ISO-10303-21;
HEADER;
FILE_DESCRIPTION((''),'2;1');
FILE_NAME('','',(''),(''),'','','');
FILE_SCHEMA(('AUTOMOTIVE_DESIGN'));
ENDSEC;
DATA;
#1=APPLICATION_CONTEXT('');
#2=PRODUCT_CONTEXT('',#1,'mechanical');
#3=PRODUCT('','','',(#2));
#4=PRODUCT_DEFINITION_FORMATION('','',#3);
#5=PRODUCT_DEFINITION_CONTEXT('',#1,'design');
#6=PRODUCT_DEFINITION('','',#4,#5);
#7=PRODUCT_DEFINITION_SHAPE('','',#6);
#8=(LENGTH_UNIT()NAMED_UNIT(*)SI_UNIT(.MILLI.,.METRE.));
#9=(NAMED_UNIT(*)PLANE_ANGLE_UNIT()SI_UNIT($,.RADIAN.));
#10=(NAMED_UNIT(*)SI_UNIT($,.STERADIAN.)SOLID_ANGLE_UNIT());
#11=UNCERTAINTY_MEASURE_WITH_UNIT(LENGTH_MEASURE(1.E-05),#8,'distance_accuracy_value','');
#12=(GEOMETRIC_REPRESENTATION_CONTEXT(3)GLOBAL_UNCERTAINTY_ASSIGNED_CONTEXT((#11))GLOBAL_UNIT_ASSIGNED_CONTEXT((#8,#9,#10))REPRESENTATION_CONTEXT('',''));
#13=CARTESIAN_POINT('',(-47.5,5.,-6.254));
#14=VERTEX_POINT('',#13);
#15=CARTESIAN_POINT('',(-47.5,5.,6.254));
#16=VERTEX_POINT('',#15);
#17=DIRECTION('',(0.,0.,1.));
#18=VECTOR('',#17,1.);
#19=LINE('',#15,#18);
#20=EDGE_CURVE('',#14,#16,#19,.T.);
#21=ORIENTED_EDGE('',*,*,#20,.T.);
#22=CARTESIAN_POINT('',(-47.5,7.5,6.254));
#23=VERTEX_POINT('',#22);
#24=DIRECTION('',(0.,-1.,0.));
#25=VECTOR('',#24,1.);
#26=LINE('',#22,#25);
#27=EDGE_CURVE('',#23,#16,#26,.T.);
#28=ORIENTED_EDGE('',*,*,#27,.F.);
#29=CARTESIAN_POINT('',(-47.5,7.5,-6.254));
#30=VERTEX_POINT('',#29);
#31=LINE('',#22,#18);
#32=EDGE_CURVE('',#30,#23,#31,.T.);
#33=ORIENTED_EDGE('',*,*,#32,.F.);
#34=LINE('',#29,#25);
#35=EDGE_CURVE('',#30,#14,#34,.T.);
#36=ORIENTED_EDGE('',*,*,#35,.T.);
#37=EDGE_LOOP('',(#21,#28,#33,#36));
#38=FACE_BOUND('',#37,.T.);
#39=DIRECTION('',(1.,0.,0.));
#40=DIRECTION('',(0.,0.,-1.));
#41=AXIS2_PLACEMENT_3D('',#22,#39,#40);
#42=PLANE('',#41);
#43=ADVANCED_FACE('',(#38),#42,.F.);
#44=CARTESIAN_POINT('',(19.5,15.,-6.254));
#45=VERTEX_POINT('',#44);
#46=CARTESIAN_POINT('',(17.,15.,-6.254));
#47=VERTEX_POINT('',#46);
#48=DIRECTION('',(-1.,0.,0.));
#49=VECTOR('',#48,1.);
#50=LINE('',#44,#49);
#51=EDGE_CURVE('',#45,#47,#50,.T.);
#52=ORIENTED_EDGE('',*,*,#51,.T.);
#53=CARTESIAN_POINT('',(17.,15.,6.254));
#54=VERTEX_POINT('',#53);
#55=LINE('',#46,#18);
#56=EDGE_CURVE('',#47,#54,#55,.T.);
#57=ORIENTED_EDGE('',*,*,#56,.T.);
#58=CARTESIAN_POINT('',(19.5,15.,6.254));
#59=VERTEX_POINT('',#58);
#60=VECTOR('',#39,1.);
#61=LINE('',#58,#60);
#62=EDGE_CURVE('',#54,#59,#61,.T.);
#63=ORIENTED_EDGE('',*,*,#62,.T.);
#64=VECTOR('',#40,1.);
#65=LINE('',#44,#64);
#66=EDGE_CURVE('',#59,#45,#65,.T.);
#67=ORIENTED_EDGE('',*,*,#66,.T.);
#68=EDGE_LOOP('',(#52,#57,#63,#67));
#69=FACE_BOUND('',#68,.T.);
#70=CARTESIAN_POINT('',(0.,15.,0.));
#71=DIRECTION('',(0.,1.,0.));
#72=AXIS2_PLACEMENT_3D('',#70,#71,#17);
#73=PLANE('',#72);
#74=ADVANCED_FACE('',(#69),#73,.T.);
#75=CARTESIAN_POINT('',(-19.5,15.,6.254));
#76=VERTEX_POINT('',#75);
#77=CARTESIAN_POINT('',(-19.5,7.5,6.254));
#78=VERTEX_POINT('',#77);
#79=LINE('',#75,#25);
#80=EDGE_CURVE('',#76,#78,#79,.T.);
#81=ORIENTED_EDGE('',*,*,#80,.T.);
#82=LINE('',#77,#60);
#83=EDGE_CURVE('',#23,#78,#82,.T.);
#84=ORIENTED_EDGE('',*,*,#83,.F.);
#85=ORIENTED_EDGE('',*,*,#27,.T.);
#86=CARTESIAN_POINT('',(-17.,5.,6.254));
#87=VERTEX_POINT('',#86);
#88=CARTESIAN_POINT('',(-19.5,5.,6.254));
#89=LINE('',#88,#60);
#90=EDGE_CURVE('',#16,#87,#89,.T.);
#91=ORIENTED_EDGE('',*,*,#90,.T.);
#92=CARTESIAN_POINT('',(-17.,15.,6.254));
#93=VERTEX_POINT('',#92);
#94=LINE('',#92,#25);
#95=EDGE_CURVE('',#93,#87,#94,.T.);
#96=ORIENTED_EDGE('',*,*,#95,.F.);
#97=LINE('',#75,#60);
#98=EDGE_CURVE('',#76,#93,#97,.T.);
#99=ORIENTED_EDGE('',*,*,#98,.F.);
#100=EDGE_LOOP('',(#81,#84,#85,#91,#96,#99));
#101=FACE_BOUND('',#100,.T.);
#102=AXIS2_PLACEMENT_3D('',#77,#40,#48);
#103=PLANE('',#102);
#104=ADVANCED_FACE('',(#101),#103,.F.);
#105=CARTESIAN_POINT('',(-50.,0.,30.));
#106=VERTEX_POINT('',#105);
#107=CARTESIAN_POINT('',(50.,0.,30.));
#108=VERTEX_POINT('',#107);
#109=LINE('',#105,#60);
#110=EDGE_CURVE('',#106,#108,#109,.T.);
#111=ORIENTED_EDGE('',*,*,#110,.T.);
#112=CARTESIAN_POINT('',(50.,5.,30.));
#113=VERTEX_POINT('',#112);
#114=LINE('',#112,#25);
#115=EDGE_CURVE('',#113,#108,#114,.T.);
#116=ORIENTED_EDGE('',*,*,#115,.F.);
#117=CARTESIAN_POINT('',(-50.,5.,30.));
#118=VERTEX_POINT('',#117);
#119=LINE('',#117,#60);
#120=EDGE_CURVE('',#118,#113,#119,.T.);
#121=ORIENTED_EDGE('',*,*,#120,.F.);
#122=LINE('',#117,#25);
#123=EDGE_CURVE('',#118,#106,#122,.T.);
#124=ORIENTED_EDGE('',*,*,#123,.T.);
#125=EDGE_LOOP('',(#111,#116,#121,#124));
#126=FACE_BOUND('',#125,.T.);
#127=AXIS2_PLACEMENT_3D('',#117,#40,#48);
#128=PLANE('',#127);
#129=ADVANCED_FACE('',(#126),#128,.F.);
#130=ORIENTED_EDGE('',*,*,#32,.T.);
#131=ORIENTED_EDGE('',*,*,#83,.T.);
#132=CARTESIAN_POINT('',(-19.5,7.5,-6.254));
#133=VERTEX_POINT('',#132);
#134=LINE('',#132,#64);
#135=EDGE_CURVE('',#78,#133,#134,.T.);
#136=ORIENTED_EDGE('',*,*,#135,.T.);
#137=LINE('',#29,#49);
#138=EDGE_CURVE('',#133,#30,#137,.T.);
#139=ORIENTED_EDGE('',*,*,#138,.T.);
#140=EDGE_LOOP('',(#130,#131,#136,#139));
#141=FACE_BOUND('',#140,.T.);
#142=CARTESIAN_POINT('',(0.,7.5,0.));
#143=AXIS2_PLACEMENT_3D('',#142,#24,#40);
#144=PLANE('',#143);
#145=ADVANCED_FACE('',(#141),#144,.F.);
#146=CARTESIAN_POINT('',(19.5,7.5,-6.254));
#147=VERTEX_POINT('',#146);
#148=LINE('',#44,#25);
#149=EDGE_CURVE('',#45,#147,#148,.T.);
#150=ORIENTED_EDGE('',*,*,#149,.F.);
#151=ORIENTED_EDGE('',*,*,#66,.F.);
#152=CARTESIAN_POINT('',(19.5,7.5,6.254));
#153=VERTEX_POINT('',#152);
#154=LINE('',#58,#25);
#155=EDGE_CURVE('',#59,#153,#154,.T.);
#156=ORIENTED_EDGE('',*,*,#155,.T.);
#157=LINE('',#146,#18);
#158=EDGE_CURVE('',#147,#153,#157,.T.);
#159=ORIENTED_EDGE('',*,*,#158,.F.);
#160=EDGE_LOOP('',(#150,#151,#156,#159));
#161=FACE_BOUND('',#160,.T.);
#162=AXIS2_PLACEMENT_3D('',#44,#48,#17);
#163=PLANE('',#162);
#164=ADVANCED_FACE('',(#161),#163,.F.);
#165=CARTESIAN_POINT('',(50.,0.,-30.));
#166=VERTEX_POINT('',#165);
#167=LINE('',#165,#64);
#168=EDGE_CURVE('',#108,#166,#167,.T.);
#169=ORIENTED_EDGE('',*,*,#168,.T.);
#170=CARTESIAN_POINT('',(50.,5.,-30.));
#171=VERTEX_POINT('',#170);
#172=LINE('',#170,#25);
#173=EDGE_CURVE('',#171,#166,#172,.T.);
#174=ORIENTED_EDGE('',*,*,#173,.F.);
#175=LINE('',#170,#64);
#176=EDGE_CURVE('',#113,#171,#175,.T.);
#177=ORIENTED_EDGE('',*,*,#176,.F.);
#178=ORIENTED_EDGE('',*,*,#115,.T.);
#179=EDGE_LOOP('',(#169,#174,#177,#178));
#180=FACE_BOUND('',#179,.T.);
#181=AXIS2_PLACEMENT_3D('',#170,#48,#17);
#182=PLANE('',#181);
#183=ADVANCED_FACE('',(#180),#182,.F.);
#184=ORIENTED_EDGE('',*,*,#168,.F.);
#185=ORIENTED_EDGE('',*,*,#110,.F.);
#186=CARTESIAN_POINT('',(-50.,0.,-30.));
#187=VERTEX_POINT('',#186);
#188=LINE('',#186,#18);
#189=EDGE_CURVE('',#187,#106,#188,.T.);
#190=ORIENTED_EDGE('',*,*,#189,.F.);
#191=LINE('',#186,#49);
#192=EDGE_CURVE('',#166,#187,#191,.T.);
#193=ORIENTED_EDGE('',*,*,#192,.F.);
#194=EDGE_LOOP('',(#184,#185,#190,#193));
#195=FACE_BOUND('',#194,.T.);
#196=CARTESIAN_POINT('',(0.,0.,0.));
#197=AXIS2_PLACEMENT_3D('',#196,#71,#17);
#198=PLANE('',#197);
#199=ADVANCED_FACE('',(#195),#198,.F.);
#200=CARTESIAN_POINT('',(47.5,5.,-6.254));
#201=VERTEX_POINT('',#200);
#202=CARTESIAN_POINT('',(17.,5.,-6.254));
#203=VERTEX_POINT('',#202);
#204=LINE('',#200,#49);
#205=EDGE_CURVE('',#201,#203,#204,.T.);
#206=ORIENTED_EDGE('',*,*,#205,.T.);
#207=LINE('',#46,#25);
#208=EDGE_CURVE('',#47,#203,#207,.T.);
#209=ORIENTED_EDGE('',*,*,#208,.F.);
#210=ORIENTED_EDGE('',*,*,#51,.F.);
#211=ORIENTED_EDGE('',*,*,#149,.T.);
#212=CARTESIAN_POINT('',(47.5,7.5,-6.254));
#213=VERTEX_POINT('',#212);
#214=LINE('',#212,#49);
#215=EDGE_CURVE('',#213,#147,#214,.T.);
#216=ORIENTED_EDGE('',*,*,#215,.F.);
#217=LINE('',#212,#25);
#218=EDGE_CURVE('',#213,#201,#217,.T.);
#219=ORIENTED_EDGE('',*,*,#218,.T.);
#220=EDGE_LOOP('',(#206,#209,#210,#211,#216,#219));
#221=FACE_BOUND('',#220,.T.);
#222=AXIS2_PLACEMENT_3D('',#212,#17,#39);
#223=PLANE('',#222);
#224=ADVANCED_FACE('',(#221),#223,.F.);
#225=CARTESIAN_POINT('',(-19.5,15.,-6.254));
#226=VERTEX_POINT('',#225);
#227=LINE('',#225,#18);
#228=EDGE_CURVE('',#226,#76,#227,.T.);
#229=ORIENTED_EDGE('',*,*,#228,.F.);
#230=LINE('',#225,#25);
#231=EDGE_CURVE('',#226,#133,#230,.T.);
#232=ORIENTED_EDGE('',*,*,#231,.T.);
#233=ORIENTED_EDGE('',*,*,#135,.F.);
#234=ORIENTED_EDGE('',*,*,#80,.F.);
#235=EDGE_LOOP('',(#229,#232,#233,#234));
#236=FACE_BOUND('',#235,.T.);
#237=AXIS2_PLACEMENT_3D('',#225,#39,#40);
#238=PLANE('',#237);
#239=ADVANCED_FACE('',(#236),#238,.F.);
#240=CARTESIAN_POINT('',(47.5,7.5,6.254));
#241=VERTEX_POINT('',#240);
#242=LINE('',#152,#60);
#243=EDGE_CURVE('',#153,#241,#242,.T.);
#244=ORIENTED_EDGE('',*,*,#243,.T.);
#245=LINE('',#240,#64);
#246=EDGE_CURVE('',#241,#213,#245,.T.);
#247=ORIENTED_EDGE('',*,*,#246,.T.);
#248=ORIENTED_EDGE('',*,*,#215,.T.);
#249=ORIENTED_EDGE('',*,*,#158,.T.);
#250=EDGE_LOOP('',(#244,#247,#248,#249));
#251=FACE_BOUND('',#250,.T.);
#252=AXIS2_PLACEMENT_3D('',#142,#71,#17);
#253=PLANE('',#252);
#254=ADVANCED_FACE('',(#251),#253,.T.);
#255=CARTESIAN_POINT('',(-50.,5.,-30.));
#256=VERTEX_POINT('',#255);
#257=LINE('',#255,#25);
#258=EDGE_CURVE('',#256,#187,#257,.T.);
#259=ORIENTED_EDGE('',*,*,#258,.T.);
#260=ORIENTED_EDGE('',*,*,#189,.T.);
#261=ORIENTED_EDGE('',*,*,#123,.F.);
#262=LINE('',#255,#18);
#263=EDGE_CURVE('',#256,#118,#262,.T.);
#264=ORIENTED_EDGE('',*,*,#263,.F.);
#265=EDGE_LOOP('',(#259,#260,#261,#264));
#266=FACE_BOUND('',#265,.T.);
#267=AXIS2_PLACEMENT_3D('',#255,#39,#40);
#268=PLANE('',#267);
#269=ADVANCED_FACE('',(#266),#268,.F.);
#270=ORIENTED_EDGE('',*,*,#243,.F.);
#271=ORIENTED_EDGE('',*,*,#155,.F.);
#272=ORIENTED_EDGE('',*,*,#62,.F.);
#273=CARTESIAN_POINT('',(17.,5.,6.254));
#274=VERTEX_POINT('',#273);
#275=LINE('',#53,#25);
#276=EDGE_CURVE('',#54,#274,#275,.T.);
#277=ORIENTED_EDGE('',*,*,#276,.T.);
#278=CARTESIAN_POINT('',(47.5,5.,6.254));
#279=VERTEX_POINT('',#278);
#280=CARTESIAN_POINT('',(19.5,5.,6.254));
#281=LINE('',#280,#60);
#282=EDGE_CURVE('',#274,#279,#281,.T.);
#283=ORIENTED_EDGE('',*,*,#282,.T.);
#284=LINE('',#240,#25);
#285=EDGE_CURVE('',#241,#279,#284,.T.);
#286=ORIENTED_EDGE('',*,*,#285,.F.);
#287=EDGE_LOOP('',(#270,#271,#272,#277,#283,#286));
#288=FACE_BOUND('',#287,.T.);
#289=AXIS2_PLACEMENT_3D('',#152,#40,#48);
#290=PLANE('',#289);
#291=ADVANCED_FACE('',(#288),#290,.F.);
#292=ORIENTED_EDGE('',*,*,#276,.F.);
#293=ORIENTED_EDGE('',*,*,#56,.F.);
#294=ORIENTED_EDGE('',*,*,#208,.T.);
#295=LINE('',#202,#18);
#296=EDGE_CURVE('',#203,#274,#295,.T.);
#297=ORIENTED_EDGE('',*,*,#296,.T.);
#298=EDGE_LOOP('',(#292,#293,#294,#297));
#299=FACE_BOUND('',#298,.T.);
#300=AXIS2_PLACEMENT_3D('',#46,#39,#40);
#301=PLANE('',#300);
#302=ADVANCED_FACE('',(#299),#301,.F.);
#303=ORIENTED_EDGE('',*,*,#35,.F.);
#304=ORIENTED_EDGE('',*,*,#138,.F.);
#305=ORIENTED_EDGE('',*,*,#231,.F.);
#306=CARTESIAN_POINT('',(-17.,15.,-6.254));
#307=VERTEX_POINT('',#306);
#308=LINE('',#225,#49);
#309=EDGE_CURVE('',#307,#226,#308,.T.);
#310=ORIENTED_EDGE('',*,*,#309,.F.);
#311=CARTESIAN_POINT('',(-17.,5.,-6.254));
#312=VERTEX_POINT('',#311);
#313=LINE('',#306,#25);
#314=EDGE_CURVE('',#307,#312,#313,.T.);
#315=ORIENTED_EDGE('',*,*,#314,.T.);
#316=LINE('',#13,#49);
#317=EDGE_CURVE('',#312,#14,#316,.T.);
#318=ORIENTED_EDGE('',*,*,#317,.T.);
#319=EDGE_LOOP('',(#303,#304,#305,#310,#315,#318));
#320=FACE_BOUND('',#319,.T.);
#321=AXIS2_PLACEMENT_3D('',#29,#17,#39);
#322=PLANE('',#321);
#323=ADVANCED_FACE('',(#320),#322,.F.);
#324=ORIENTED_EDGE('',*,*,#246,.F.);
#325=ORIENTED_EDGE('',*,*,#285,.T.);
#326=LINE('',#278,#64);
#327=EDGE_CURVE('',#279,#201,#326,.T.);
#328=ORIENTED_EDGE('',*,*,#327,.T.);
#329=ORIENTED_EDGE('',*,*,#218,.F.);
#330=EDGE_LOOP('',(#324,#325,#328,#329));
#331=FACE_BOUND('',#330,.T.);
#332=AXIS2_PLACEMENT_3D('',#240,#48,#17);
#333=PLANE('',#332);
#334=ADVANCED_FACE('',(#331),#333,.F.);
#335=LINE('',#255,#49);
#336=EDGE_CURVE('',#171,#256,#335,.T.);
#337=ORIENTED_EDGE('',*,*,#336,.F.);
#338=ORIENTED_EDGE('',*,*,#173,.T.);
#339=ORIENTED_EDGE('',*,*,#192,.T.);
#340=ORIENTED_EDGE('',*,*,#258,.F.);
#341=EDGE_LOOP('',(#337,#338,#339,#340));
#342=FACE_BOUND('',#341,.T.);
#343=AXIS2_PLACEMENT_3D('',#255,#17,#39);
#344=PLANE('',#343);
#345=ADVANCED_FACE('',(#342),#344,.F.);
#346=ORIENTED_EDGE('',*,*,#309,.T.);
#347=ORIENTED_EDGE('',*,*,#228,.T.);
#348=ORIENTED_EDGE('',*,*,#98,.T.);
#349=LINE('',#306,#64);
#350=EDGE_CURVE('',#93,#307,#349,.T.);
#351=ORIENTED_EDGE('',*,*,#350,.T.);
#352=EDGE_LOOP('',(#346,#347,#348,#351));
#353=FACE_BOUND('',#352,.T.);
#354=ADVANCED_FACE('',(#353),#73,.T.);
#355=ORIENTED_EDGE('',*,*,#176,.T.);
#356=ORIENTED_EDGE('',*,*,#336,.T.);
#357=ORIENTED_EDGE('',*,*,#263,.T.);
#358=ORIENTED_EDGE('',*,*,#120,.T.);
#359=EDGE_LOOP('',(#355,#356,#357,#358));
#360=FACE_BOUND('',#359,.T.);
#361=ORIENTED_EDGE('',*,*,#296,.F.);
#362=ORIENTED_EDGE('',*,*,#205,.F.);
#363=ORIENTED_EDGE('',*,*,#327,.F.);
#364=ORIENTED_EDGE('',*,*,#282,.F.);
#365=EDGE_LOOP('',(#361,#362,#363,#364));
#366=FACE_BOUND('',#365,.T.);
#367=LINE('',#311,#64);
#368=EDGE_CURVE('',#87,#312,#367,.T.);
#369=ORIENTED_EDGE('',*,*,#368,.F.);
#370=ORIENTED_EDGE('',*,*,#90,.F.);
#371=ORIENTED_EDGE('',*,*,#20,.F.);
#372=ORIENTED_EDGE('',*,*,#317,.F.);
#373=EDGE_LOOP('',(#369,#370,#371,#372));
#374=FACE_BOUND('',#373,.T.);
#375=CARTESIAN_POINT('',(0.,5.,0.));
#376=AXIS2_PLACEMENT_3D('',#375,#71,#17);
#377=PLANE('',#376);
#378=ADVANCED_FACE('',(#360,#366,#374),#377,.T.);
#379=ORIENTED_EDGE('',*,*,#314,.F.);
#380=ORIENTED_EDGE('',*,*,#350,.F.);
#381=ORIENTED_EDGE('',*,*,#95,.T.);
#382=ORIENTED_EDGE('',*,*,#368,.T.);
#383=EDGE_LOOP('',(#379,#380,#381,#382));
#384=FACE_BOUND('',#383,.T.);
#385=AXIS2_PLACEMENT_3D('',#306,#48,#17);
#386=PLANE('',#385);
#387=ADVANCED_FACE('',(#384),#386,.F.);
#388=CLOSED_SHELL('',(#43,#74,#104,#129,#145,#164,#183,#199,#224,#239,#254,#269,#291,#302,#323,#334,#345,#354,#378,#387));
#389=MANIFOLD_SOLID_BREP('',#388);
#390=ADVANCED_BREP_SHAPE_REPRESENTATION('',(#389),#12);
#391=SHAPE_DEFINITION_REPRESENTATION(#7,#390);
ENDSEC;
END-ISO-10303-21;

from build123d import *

# Parameters (mm, degrees)
SKETCH2_W           = 100
SKETCH2_H           = 60
BOSS_EXTRUDE1_DEPTH = 5
SKETCH4_W           = 28
SKETCH4_H           = 12.508
BOSS_EXTRUDE2_DEPTH = 2.5
SKETCH5_W           = 2.5
SKETCH5_H           = 12.508
BOSS_EXTRUDE3_DEPTH = 10


with BuildPart() as part:
    # Sketch2 → Boss-Extrude1 (new body)
    with BuildSketch(Plane(origin=(0, 0, 0), x_dir=(1, 0, 0), z_dir=(0, 1, 0))):
        Rectangle(SKETCH2_W, SKETCH2_H)
    extrude(amount=BOSS_EXTRUDE1_DEPTH)

    # Sketch4 → Boss-Extrude2 (add)
    with BuildSketch(Plane(origin=(0, 5, 0), x_dir=(1, 0, 0), z_dir=(0, 1, 0))):
        with Locations((-33.5, 0)):
            Rectangle(SKETCH4_W, SKETCH4_H)
        with Locations((33.5, 0)):
            Rectangle(SKETCH4_W, SKETCH4_H)
    extrude(amount=BOSS_EXTRUDE2_DEPTH)

    # Sketch5 → Boss-Extrude3 (add)
    with BuildSketch(Plane(origin=(0, 5, 0), x_dir=(1, 0, 0), z_dir=(0, 1, 0))):
        with Locations((-18.25, 0)):
            Rectangle(SKETCH5_W, SKETCH5_H)
        with Locations((18.25, 0)):
            Rectangle(SKETCH5_W, SKETCH5_H)
    extrude(amount=BOSS_EXTRUDE3_DEPTH)


solid = part.part
